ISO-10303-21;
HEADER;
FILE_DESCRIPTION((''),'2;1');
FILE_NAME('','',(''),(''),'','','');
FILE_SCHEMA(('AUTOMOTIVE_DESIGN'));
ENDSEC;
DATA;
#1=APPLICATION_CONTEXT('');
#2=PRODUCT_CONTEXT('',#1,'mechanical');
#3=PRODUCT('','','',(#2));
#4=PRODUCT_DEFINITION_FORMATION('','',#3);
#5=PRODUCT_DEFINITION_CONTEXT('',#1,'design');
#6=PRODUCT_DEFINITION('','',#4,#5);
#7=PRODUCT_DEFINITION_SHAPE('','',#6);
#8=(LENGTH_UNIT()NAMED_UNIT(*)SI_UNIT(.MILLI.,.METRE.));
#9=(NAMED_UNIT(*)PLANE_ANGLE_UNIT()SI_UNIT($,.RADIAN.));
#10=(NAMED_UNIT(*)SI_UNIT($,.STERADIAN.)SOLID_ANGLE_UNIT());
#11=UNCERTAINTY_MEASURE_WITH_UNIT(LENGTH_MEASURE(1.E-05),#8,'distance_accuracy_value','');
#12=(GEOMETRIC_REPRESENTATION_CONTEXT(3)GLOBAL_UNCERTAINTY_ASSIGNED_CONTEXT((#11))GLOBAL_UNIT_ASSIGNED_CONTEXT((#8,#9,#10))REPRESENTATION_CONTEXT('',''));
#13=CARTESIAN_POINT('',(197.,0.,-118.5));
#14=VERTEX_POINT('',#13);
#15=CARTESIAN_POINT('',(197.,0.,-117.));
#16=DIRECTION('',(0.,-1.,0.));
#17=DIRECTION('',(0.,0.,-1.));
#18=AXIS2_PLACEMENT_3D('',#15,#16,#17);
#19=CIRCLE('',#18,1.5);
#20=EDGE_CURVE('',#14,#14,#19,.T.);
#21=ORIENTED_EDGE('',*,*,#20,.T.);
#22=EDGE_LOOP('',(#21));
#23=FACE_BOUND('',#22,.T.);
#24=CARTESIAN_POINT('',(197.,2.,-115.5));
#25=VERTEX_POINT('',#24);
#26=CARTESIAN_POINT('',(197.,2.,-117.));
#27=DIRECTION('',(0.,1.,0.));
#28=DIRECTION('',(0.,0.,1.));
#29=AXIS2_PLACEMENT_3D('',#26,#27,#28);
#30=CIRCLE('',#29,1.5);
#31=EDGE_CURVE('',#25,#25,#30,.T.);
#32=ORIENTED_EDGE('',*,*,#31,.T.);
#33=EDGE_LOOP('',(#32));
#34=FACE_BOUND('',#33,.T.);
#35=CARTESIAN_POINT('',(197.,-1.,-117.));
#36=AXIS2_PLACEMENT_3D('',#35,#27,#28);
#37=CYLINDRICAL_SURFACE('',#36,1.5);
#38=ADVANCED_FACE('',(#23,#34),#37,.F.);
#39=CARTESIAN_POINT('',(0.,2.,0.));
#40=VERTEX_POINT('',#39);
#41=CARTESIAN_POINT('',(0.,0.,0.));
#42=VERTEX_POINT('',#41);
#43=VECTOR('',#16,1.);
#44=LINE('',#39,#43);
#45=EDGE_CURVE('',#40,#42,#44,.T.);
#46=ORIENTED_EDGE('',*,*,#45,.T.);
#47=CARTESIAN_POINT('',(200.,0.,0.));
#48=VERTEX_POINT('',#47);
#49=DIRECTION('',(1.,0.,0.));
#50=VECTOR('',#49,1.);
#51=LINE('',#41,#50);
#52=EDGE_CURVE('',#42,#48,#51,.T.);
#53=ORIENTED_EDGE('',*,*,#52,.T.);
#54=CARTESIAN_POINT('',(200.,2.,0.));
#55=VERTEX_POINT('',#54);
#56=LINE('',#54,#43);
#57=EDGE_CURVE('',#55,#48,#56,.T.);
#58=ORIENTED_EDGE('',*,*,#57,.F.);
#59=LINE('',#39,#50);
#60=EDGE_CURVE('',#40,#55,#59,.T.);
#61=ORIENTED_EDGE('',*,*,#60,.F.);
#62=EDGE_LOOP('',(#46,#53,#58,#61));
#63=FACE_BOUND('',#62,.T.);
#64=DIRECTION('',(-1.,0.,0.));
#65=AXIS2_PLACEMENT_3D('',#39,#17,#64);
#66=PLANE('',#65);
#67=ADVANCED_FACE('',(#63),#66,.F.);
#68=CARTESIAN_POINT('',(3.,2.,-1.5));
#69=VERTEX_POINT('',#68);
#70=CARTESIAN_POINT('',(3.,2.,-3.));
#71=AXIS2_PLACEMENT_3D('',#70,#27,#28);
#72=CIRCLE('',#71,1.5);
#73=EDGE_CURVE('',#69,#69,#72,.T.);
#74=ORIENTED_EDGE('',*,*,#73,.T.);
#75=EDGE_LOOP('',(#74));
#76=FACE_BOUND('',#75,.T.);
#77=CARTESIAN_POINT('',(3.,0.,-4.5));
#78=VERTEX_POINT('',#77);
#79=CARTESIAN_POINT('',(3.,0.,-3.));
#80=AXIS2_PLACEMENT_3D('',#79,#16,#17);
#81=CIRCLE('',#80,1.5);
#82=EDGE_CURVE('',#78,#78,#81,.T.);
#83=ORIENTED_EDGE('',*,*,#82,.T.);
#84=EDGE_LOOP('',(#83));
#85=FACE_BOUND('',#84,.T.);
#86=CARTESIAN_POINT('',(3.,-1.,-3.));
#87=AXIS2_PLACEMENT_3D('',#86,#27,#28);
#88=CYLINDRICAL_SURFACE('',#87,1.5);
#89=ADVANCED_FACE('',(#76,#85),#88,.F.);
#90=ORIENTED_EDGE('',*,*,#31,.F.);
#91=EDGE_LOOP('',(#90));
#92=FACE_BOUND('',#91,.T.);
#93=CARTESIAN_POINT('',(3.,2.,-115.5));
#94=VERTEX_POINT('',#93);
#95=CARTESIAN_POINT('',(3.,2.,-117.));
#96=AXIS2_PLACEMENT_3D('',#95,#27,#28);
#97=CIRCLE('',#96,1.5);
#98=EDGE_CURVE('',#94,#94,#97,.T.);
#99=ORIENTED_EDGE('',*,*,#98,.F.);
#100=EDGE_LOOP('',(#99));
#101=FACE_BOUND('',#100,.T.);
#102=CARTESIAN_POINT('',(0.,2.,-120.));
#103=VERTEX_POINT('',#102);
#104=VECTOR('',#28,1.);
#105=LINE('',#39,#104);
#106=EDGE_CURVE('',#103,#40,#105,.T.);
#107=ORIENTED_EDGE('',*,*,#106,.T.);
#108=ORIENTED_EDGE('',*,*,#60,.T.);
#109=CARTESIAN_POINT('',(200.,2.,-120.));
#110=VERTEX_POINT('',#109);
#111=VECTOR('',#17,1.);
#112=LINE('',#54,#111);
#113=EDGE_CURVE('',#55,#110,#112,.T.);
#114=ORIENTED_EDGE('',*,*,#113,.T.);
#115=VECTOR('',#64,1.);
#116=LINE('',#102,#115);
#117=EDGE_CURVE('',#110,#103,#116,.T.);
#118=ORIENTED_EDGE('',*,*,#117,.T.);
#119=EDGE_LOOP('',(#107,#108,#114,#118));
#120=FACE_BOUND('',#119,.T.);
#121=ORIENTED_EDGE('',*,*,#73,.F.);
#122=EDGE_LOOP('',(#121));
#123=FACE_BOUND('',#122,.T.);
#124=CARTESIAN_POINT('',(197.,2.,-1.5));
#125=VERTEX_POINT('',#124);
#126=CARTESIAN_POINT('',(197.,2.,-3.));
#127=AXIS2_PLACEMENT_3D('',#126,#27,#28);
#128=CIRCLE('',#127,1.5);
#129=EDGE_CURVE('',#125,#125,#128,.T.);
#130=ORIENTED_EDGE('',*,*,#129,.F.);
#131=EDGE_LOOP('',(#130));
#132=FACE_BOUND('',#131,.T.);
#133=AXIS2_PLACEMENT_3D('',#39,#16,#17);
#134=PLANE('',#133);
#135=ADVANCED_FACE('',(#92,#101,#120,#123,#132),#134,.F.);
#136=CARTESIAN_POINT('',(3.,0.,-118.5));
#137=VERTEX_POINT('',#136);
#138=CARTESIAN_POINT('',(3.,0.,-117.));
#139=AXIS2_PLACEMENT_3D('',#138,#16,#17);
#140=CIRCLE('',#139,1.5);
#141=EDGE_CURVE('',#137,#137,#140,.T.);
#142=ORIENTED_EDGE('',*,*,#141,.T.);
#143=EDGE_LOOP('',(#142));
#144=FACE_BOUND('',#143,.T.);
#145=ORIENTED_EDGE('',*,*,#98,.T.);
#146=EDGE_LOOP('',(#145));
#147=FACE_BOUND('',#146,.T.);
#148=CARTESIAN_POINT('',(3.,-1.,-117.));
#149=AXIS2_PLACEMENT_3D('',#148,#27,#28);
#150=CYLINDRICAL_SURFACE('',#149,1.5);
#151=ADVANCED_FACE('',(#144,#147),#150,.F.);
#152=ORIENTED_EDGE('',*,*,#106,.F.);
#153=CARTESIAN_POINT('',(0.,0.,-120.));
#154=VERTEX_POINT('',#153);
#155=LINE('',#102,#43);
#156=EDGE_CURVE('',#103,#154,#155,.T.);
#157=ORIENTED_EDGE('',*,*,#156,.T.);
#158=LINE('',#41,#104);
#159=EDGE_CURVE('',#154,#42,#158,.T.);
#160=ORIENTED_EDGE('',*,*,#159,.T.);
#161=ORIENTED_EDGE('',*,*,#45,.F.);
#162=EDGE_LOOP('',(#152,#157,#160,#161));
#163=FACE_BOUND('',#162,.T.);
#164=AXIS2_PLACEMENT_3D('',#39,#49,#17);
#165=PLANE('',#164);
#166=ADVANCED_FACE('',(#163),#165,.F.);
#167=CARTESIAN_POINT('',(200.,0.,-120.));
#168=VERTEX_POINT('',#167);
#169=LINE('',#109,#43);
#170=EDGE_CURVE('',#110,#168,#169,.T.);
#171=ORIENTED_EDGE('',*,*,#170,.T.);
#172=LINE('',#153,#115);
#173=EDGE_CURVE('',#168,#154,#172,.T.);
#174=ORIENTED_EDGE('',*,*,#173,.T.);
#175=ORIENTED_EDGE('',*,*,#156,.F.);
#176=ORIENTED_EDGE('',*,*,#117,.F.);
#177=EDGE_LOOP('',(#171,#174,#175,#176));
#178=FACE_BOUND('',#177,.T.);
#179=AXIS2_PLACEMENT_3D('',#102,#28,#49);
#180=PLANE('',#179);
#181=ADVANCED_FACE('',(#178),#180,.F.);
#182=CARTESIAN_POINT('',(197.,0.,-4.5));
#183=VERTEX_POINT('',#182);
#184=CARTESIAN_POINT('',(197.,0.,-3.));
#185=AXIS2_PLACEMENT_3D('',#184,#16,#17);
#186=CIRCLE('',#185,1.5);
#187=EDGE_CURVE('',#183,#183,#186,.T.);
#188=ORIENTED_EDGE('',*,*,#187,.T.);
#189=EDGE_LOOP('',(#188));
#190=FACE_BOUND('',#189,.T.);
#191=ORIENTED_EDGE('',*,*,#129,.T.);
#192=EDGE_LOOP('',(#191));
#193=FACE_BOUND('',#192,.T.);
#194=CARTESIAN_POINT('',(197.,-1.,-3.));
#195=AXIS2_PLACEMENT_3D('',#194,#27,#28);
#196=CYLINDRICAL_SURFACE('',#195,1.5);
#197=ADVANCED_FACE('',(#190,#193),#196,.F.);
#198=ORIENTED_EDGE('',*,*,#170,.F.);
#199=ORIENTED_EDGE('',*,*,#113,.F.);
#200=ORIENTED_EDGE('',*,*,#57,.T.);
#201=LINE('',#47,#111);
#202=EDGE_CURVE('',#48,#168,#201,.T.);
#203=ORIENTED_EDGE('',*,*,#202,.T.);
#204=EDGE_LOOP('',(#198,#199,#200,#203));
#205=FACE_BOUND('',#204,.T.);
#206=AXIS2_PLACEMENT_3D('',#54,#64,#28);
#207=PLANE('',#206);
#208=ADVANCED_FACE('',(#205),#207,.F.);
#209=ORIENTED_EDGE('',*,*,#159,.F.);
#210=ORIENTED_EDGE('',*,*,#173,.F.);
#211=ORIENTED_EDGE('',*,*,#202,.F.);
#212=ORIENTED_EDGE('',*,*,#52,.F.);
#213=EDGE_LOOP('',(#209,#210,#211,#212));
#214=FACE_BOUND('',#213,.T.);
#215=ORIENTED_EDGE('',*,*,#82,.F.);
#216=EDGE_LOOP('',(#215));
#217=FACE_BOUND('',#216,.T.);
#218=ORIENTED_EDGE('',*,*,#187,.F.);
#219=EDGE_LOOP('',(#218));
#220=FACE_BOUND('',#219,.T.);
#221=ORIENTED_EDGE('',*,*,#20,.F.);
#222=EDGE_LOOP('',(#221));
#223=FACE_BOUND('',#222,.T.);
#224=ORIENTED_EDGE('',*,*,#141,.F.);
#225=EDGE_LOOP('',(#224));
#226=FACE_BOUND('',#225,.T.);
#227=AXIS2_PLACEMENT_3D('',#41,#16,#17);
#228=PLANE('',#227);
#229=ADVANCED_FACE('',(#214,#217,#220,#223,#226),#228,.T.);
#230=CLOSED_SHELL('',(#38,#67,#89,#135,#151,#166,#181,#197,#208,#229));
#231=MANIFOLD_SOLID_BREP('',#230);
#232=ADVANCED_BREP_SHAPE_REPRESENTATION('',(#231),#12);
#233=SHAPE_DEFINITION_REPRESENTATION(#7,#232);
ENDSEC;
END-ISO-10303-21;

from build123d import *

# Parameters (mm, degrees)
SKETCH1_W           = 200
SKETCH1_H           = 120
BOSS_EXTRUDE1_DEPTH = 2
SKETCH2_R           = 1.5
CUT_EXTRUDE1_DEPTH  = 3


with BuildPart() as part:
    # Sketch1 → Boss-Extrude1 (new body)
    with BuildSketch(Plane(origin=(0, 0, 0), x_dir=(1, 0, 0), z_dir=(0, 1, 0))):
        with Locations((100, 60)):
            Rectangle(SKETCH1_W, SKETCH1_H)
    extrude(amount=BOSS_EXTRUDE1_DEPTH)

    # Sketch2 → Cut-Extrude1 (cut)
    with BuildSketch(Plane(origin=(0, 2, 0), x_dir=(1, 0, 0), z_dir=(0, 1, 0))):
        with Locations(Location((197, 117, 0), (0, 0, 270))):
            Circle(SKETCH2_R)
        with Locations(Location((197, 3, 0), (0, 0, 270))):
            Circle(SKETCH2_R)
        with Locations(Location((3, 3, 0), (0, 0, 270))):
            Circle(SKETCH2_R)
        with Locations(Location((3, 117, 0), (0, 0, 270))):
            Circle(SKETCH2_R)
    extrude(amount=-CUT_EXTRUDE1_DEPTH, mode=Mode.SUBTRACT)


solid = part.part
